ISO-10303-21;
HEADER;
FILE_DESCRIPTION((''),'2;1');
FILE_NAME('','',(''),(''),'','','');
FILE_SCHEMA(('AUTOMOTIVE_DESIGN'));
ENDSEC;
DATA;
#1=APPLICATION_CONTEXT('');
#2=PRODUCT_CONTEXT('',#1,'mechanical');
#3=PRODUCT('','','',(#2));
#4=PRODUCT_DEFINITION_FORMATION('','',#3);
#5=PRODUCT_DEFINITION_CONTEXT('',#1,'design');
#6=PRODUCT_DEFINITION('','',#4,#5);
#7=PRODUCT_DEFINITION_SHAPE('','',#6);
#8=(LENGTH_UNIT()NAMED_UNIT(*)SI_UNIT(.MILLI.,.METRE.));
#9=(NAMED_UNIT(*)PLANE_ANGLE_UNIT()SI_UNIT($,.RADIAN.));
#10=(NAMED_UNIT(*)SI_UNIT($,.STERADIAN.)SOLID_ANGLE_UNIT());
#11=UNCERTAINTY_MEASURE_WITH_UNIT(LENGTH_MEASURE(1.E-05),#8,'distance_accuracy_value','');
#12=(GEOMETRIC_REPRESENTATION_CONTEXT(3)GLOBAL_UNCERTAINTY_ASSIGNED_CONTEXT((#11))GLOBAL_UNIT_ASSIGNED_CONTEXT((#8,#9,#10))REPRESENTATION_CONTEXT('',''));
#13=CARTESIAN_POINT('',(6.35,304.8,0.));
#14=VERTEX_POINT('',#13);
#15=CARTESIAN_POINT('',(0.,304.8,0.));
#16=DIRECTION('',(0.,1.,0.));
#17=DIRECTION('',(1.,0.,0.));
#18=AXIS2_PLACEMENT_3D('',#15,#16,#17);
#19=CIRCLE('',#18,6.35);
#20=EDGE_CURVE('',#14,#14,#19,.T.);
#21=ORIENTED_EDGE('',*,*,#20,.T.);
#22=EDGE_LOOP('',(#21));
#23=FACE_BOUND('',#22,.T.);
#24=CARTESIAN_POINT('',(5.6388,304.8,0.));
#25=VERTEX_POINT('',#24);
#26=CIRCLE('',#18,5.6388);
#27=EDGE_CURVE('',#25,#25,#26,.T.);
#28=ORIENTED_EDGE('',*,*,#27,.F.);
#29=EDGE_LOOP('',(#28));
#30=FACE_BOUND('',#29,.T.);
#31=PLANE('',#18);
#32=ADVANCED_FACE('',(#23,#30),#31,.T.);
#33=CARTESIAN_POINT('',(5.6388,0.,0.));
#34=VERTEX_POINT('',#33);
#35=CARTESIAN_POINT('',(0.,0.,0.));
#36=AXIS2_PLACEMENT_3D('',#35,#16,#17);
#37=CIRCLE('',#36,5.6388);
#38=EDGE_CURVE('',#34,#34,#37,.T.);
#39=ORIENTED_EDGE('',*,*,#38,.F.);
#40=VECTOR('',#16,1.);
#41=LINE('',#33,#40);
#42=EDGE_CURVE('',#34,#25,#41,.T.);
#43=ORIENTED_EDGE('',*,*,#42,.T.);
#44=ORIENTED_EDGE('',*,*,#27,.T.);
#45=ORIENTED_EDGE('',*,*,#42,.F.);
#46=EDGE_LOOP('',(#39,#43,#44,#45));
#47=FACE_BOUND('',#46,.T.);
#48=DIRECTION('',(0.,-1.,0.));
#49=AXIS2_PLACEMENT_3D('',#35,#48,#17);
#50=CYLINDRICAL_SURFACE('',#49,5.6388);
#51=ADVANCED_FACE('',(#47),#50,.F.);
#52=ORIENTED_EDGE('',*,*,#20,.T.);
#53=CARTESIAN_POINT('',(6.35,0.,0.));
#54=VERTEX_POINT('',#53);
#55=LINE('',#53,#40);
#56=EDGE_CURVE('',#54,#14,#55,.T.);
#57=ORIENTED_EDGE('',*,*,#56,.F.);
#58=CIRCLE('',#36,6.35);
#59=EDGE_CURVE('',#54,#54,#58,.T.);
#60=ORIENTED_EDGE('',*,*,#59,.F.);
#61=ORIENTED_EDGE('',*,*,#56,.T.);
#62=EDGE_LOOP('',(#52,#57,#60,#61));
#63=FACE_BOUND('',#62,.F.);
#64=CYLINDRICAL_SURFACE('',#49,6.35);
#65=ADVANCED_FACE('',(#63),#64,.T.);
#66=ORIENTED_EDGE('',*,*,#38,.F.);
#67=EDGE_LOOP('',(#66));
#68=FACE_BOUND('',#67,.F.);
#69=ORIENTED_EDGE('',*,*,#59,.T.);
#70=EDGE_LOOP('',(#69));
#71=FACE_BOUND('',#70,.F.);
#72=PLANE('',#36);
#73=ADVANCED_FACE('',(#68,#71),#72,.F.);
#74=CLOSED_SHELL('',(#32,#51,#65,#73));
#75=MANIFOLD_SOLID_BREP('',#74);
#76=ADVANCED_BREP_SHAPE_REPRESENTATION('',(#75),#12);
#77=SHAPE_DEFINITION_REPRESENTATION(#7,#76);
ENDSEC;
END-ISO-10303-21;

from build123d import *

# Parameters (mm, degrees)
SKETCH1_R           = 6.35
SKETCH1_R_2         = 5.6388
BOSS_EXTRUDE1_DEPTH = 304.8


with BuildPart() as part:
    # Sketch1 → Boss-Extrude1 (new body)
    with BuildSketch(Plane(origin=(0, 0, 0), x_dir=(1, 0, 0), z_dir=(0, 1, 0))):
        Circle(SKETCH1_R)
        Circle(SKETCH1_R_2, mode=Mode.SUBTRACT)
    extrude(amount=BOSS_EXTRUDE1_DEPTH)


solid = part.part
